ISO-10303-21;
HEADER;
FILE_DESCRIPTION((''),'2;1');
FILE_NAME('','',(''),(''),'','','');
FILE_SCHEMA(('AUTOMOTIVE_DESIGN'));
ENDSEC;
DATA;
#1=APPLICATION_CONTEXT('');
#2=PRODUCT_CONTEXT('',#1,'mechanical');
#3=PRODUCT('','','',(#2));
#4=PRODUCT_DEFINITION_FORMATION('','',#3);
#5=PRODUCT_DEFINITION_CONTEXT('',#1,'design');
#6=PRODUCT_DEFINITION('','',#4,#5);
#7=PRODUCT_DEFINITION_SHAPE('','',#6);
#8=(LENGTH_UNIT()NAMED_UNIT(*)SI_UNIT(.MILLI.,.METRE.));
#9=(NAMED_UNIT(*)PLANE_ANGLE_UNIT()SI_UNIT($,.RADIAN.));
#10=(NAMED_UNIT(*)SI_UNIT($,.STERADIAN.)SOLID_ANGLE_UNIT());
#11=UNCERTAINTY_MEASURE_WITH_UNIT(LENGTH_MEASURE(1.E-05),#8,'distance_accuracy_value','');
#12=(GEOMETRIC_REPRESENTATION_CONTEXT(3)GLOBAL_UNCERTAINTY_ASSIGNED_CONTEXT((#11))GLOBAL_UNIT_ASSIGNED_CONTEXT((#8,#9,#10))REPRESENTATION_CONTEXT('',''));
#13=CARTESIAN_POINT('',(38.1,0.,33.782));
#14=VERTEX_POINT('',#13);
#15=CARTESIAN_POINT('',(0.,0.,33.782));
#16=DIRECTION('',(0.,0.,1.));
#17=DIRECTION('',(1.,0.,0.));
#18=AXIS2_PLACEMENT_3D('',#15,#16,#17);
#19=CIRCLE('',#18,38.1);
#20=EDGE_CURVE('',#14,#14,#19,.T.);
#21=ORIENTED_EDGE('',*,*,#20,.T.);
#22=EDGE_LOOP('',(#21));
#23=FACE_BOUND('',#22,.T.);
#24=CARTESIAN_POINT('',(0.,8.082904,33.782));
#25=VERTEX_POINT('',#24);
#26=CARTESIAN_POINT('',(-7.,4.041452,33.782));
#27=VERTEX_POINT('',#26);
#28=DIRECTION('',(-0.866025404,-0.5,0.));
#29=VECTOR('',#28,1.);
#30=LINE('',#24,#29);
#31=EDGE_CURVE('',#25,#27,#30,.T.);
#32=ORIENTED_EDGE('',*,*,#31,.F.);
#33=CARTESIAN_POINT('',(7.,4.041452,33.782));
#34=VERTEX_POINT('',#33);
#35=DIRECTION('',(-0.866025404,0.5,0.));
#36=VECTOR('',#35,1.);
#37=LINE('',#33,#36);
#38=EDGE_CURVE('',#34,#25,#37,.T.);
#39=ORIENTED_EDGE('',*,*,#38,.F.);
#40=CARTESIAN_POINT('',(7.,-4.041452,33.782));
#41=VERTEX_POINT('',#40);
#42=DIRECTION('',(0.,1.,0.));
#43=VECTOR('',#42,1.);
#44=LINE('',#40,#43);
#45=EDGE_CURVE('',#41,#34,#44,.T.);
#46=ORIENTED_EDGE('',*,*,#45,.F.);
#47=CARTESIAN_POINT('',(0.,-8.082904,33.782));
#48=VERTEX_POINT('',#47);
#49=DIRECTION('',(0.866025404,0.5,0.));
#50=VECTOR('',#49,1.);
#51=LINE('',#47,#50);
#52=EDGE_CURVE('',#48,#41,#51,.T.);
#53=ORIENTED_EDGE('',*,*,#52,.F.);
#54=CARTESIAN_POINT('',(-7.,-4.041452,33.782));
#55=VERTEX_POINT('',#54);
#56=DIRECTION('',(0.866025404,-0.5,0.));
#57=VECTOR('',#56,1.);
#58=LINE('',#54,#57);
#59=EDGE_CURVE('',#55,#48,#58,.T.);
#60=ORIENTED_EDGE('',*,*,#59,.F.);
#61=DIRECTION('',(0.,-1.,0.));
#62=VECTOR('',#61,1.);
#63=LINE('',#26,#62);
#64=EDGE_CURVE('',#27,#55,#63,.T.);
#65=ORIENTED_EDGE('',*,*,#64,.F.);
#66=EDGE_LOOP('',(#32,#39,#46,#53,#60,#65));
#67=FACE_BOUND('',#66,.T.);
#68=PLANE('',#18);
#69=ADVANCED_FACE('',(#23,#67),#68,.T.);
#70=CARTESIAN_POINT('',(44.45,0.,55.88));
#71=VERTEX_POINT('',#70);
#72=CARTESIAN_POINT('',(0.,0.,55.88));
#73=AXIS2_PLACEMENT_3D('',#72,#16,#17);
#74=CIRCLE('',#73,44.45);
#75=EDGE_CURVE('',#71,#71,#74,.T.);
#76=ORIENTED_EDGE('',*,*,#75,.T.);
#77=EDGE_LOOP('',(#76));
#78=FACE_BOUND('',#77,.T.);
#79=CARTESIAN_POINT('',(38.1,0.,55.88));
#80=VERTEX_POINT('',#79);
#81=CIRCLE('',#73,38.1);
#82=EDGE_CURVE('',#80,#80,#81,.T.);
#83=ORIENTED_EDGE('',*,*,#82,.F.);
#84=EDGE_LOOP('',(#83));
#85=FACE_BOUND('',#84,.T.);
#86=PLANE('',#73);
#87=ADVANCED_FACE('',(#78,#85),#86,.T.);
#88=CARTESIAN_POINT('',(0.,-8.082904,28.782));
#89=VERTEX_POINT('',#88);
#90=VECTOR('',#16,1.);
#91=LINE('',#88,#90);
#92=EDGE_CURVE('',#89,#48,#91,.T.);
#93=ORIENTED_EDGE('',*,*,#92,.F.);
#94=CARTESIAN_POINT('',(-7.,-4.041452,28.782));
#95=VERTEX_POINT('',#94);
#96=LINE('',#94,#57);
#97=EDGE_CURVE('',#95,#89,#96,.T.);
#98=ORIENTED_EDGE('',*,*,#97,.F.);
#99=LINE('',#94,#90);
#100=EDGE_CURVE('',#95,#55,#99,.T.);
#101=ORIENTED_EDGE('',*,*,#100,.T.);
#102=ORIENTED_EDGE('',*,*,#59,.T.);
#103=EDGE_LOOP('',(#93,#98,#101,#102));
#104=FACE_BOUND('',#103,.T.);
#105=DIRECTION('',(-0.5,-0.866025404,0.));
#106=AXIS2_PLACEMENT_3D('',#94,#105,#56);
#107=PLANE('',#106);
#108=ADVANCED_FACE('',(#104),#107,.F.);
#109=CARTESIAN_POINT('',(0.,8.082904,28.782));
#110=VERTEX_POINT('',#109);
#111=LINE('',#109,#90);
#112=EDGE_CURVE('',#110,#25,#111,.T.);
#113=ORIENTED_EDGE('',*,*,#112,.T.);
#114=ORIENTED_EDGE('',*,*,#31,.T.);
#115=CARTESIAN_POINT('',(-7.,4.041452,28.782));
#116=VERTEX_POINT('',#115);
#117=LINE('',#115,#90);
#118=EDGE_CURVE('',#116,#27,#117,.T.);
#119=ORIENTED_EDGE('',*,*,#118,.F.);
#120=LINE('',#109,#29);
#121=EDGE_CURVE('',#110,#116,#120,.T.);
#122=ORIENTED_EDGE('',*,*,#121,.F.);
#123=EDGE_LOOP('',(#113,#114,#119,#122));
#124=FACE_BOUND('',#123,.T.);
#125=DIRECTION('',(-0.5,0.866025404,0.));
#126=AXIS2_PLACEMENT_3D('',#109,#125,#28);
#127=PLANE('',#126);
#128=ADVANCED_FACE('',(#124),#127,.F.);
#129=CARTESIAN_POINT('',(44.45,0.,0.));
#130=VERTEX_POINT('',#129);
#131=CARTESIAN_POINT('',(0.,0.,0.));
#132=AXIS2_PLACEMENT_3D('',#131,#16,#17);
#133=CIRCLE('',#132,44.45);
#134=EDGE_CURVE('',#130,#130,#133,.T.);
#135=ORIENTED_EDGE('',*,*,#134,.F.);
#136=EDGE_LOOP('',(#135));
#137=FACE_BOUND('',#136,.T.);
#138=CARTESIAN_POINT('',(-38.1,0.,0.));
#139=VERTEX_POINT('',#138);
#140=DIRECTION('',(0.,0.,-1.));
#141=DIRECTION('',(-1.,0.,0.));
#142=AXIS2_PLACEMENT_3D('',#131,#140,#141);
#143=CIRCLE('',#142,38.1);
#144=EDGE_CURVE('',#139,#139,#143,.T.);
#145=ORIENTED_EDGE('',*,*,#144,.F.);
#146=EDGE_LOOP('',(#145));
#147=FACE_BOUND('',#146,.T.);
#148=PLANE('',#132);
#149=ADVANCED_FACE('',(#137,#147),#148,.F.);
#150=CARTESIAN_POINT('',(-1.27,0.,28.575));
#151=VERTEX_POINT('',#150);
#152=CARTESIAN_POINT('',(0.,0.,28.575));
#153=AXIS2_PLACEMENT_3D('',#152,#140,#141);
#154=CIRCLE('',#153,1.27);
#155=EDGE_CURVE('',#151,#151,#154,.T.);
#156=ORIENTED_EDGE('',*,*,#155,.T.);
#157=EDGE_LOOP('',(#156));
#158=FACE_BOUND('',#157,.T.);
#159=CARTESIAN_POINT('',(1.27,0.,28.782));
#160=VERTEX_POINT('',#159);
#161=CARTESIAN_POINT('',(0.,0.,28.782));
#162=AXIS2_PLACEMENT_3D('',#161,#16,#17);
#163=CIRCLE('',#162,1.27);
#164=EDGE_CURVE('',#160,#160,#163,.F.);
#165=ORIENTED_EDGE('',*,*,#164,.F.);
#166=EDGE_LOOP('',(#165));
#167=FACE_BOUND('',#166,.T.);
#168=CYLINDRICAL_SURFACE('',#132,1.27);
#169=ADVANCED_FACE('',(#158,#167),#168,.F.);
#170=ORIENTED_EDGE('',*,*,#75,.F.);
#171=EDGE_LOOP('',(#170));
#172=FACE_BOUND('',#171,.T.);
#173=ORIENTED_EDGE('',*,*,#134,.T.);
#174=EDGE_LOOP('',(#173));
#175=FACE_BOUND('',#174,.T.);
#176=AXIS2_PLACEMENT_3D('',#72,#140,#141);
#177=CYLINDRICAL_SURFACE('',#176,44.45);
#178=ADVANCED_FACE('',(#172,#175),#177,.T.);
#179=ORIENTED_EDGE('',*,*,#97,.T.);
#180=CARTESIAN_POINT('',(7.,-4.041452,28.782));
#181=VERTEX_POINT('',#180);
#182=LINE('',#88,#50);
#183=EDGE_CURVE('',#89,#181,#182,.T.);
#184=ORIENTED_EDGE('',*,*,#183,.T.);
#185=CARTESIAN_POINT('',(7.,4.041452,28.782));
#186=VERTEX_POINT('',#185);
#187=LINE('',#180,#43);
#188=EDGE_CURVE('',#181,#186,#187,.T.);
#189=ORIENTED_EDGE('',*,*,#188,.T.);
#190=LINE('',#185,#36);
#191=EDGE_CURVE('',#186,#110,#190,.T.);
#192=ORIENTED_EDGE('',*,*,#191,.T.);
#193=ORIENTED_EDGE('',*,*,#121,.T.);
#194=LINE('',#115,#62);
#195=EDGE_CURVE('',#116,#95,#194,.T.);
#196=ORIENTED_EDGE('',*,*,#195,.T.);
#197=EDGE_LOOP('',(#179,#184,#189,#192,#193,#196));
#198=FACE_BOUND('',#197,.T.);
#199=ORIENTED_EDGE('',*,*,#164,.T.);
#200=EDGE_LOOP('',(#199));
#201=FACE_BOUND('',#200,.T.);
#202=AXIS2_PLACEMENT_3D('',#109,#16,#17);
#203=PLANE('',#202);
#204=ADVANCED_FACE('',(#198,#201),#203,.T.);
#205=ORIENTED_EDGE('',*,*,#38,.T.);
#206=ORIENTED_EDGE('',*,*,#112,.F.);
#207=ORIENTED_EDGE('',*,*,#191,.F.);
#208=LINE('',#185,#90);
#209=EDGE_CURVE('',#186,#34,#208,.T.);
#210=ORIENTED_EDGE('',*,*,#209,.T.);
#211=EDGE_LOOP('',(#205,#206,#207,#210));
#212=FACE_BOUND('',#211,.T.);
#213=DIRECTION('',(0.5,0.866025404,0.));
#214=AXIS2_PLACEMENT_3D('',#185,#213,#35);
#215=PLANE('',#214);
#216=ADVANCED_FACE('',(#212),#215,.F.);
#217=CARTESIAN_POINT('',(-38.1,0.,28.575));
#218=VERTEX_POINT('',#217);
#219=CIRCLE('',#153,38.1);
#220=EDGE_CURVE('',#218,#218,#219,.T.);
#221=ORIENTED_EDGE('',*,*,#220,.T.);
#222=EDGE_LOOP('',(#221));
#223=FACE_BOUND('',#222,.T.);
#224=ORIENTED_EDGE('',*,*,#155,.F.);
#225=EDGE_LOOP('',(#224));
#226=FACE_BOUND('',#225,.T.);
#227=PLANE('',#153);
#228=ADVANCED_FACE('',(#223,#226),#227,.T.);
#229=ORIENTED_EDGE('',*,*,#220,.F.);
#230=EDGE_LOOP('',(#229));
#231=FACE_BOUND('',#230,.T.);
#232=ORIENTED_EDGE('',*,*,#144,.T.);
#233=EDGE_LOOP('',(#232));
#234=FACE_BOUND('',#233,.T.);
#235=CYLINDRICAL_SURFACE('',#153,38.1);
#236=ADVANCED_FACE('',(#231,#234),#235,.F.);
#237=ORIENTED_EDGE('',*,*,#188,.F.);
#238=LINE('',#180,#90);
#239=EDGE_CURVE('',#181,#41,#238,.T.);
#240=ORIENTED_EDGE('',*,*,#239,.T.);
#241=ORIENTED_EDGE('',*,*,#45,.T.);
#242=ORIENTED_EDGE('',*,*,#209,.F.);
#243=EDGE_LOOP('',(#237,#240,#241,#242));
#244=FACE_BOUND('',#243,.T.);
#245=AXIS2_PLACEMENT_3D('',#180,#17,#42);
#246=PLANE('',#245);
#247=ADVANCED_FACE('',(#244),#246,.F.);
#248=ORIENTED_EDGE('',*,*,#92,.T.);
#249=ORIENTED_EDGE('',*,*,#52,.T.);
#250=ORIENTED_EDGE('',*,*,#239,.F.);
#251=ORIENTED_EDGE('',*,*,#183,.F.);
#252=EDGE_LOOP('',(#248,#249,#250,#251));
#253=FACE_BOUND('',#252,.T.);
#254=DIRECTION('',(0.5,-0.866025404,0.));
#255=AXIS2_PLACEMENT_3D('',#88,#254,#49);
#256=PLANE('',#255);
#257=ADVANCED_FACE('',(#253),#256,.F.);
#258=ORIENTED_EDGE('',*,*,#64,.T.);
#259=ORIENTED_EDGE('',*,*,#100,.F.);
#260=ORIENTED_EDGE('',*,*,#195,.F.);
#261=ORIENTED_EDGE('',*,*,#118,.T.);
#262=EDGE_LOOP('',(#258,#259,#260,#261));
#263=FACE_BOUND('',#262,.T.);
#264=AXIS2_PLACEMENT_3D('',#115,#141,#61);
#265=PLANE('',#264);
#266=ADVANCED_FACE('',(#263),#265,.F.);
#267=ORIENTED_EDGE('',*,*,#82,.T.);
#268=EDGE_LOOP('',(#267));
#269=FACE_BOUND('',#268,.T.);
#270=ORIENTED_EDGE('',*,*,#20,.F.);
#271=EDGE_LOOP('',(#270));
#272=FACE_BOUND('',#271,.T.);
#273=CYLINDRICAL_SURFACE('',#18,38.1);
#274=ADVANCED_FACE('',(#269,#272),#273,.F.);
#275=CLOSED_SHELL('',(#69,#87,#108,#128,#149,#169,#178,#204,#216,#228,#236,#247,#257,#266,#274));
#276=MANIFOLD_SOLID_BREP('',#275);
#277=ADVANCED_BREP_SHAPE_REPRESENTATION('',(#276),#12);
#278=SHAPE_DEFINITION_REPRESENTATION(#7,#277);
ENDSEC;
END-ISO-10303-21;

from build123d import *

# Parameters (mm, degrees)
SKETCH1_R           = 44.45
BOSS_EXTRUDE1_DEPTH = 55.88
SKETCH2_R           = 38.1
CUT_EXTRUDE1_DEPTH  = 22.098
CUT_EXTRUDE2_START  = -28.575
SKETCH3_R           = 38.1
CUT_EXTRUDE2_DEPTH  = 28.575
SKETCH4_R           = 1.27
CUT_EXTRUDE3_DEPTH  = 72.364056247
CUT_EXTRUDE4_DEPTH  = 5


with BuildPart() as part:
    # Sketch1 → Boss-Extrude1 (new body)
    with BuildSketch(Plane.XY):
        Circle(SKETCH1_R)
    extrude(amount=BOSS_EXTRUDE1_DEPTH)

    # Sketch2 → Cut-Extrude1 (cut)
    with BuildSketch(Plane.XY.offset(55.88)):
        Circle(SKETCH2_R)
    extrude(amount=-CUT_EXTRUDE1_DEPTH, mode=Mode.SUBTRACT)

    # Sketch3 → Cut-Extrude2 (cut)
    with BuildSketch(Plane(origin=(0, 0, 0), x_dir=(-1, 0, 0), z_dir=(0, 0, -1)).offset(CUT_EXTRUDE2_START)):
        with Locations(Location((0, 0, 0), (0, 0, 180))):
            Circle(SKETCH3_R)
    extrude(amount=CUT_EXTRUDE2_DEPTH, mode=Mode.SUBTRACT)

    # Sketch4 → Cut-Extrude3 (cut, through all)
    with BuildSketch(Plane.XY.offset(33.782)):
        Circle(SKETCH4_R)
    extrude(amount=-CUT_EXTRUDE3_DEPTH, mode=Mode.SUBTRACT)

    # Sketch5 → Cut-Extrude4 (cut)
    with BuildSketch(Plane.XY.offset(33.782)):
        Polygon((0, 8.082903769), (-7, 4.041451884), (-7, -4.041451884), (0, -8.082903769), (7, -4.041451884), (7, 4.041451884), align=None)
    extrude(amount=-CUT_EXTRUDE4_DEPTH, mode=Mode.SUBTRACT)


solid = part.part
